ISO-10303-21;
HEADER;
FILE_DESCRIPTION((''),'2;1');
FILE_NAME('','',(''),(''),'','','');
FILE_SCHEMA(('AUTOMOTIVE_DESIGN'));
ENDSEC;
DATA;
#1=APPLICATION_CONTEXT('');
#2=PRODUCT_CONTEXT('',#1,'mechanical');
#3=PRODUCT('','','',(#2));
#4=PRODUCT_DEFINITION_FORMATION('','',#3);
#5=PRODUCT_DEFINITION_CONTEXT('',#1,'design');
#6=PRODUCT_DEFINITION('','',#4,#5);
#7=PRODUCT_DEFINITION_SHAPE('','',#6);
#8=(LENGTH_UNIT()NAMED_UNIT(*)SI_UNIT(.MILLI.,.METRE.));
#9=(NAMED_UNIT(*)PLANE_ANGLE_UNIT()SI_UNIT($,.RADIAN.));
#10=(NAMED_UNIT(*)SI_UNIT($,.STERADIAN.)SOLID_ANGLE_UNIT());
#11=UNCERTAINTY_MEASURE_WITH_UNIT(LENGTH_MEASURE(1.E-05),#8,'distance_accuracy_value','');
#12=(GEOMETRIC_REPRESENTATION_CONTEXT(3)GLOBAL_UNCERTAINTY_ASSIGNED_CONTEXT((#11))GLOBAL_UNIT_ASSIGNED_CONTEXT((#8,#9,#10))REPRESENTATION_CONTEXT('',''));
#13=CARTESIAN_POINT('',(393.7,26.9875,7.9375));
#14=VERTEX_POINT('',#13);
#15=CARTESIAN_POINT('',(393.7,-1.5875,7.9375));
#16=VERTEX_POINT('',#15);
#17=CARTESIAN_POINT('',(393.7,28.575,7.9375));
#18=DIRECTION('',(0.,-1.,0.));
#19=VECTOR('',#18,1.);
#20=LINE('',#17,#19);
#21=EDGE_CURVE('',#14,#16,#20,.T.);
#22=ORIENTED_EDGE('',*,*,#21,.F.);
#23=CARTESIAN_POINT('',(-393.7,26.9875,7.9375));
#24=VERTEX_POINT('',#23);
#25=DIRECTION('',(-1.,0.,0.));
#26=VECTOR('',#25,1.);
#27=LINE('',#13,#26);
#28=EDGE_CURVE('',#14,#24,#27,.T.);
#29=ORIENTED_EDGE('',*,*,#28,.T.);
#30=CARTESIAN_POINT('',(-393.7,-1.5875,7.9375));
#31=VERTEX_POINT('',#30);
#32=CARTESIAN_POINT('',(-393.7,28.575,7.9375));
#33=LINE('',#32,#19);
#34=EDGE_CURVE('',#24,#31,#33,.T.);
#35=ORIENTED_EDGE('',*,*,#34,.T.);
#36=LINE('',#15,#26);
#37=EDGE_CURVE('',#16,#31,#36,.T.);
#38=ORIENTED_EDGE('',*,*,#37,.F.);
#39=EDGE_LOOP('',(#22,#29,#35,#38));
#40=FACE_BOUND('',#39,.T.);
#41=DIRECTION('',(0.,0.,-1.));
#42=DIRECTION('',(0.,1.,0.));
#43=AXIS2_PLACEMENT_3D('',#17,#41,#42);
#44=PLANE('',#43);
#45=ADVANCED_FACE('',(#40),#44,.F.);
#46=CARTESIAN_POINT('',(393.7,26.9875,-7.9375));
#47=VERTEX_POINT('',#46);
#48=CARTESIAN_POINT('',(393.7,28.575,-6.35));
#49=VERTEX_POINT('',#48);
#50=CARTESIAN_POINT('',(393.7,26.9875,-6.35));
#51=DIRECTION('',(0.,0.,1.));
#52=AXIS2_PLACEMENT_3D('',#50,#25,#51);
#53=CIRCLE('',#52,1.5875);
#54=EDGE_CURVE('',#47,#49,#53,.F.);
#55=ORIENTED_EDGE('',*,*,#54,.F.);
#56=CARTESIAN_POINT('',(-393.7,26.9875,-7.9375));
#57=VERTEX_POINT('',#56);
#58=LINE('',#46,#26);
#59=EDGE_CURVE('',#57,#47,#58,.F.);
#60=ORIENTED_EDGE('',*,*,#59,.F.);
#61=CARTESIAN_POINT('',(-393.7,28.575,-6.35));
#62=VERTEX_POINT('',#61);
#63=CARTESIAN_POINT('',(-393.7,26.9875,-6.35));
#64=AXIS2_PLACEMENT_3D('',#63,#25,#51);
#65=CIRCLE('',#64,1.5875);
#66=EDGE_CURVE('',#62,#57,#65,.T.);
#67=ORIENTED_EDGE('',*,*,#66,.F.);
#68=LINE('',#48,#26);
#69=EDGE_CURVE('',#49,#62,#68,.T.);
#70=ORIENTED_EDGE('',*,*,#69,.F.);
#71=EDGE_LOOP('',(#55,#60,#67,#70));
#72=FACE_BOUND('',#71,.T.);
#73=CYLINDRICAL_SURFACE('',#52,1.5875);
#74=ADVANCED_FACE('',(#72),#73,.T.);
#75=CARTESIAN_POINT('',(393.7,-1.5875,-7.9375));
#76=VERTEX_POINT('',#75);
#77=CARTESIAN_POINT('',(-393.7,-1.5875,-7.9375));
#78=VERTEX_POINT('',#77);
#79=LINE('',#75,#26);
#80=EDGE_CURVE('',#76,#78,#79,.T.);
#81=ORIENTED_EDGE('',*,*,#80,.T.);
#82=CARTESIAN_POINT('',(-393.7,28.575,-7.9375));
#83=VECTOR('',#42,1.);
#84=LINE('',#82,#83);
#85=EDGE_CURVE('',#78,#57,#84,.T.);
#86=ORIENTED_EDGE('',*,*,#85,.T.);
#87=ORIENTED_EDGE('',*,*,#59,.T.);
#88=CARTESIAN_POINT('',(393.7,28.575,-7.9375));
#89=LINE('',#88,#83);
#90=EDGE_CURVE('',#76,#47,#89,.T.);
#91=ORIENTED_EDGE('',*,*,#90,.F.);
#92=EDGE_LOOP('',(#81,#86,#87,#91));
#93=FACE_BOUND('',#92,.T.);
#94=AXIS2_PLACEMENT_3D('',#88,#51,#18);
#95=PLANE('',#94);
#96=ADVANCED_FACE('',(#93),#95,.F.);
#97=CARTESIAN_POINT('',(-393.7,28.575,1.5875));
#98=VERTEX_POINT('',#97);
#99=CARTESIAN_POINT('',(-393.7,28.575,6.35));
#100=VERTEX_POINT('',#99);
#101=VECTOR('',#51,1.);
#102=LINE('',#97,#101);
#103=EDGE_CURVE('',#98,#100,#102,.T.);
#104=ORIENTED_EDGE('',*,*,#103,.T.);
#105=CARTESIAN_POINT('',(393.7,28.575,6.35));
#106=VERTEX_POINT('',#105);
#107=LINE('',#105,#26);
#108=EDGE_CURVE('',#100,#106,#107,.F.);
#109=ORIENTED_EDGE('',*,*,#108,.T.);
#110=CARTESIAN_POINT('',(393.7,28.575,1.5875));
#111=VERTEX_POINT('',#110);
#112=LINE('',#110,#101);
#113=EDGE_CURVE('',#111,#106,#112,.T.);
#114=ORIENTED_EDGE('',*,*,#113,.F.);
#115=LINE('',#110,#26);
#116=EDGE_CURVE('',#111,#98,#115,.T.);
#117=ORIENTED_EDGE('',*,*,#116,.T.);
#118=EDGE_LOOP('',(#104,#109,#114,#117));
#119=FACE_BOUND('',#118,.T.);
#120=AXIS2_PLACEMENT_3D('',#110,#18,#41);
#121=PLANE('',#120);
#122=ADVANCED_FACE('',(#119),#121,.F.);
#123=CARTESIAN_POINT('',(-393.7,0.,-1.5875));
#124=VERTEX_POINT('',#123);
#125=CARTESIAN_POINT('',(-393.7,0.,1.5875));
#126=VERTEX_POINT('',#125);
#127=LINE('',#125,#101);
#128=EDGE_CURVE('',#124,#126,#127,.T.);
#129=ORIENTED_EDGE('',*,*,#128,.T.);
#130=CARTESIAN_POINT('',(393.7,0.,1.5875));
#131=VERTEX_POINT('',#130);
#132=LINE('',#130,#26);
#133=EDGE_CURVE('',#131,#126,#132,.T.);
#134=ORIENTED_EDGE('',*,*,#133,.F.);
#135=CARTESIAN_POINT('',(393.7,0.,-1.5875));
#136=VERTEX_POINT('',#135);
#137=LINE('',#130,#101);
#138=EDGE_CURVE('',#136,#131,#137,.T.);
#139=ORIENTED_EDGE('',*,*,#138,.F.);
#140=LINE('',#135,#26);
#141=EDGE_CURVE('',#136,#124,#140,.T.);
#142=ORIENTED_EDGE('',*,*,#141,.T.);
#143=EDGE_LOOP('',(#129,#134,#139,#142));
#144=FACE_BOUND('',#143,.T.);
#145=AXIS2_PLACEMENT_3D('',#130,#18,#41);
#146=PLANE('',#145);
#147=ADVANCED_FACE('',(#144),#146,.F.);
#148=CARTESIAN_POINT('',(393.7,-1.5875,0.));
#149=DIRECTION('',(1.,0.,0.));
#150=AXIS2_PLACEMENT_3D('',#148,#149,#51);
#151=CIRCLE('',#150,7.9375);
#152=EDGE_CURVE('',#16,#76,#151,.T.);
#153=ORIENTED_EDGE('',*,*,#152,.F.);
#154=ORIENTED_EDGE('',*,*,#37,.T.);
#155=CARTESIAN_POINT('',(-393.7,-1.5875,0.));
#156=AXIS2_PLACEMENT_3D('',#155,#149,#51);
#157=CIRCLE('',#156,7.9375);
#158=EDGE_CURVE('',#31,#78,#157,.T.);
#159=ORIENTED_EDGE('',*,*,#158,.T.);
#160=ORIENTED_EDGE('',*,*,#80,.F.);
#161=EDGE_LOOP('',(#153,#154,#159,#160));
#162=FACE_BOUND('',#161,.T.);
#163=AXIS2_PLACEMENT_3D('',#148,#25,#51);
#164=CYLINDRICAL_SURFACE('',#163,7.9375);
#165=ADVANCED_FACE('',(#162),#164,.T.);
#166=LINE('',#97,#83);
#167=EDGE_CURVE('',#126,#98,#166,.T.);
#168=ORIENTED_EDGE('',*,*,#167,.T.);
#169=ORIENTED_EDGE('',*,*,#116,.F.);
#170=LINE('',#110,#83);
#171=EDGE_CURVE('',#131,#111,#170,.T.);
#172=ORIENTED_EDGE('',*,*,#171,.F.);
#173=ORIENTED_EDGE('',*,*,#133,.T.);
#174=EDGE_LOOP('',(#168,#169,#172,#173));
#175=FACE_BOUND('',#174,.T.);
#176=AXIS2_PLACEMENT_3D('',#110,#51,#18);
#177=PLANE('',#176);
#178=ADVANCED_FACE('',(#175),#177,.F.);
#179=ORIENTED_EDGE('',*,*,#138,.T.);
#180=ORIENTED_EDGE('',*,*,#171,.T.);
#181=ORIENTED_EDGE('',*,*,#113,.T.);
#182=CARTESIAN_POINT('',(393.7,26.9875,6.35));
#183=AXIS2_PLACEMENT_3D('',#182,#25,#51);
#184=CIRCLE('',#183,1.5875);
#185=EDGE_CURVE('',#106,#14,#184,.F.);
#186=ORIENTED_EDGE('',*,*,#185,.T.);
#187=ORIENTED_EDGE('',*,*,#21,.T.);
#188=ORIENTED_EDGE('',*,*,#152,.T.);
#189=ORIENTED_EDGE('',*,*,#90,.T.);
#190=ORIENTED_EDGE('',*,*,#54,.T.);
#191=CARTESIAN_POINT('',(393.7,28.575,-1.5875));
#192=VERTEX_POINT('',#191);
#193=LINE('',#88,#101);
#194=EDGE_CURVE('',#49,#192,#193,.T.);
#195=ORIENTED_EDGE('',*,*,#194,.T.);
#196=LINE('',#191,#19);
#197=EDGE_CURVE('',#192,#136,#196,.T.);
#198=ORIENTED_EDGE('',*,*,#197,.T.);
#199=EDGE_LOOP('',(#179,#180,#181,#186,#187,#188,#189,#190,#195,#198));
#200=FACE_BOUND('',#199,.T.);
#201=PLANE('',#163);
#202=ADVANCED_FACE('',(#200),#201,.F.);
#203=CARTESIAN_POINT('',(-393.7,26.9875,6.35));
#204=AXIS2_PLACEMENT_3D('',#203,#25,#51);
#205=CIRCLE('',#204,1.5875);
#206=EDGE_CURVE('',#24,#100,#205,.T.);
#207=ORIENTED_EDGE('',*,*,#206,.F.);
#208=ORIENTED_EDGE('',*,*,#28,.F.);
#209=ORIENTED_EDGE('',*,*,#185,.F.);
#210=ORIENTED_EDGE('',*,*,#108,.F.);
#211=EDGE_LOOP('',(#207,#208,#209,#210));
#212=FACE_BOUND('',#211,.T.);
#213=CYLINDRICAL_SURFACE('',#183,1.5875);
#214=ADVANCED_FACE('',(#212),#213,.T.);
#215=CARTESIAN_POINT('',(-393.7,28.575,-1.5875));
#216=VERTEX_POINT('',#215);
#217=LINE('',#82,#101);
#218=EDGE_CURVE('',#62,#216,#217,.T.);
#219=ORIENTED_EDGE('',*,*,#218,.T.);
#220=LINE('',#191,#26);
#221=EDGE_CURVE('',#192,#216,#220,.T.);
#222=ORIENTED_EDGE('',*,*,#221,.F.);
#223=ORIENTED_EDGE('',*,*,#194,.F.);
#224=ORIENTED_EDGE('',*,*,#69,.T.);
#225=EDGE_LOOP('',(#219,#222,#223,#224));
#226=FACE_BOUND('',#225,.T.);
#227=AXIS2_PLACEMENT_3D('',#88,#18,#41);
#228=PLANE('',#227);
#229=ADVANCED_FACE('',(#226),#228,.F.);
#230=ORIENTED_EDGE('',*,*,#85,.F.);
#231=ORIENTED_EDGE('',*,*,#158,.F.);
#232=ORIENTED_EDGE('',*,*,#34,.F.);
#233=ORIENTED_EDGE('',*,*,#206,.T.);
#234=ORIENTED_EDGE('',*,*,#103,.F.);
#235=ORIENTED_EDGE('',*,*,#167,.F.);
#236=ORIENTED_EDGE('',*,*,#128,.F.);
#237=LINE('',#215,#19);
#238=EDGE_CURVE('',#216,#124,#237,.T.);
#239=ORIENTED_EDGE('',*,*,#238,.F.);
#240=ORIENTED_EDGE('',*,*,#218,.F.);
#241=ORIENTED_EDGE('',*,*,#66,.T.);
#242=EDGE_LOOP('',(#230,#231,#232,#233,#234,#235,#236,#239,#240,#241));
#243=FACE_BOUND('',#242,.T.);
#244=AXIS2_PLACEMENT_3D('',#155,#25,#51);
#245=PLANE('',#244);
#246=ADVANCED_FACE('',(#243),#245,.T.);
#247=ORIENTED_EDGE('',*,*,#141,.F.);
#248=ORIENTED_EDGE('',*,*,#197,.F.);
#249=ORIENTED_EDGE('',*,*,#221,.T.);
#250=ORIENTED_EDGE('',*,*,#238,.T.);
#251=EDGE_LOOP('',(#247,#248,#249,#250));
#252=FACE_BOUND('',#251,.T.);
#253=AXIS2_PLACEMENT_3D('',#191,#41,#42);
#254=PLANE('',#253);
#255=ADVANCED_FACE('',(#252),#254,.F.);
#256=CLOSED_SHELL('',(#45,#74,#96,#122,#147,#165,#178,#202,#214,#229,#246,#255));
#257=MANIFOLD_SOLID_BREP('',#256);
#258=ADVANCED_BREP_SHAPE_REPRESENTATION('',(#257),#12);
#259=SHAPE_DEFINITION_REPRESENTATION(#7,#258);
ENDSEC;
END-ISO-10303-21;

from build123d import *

# Parameters (mm, degrees)
BOSS_EXTRUDE1_DEPTH = 393.7
FILLET1_R           = 1.5875


with BuildPart() as part:
    # Sketch1 → Boss-Extrude1 (new body, symmetric)
    with BuildSketch(Plane(origin=(0, 0, 0), x_dir=(0, 0, -1), z_dir=(1, 0, 0))):
        with BuildLine():
            Line((-1.5875, 28.575), (-7.9375, 28.575))
            Line((-7.9375, 28.575), (-7.9375, -1.5875))
            ThreePointArc((-7.9375, -1.5875), (0, -9.525), (7.9375, -1.5875))
            Line((7.9375, -1.5875), (7.9375, 28.575))
            Line((7.9375, 28.575), (1.5875, 28.575))
            Line((1.5875, 28.575), (1.5875, 0))
            Line((1.5875, 0), (-1.5875, 0))
            Line((-1.5875, 0), (-1.5875, 28.575))
        make_face()
    extrude(amount=BOSS_EXTRUDE1_DEPTH, both=True)

    # Fillet1
    fillet1_edges = [part.edges().sort_by_distance(p)[0] for p in [
        (0, 28.575, -7.9375),
        (0, 28.575, 7.9375),
    ]]
    fillet(fillet1_edges, radius=FILLET1_R)


solid = part.part
